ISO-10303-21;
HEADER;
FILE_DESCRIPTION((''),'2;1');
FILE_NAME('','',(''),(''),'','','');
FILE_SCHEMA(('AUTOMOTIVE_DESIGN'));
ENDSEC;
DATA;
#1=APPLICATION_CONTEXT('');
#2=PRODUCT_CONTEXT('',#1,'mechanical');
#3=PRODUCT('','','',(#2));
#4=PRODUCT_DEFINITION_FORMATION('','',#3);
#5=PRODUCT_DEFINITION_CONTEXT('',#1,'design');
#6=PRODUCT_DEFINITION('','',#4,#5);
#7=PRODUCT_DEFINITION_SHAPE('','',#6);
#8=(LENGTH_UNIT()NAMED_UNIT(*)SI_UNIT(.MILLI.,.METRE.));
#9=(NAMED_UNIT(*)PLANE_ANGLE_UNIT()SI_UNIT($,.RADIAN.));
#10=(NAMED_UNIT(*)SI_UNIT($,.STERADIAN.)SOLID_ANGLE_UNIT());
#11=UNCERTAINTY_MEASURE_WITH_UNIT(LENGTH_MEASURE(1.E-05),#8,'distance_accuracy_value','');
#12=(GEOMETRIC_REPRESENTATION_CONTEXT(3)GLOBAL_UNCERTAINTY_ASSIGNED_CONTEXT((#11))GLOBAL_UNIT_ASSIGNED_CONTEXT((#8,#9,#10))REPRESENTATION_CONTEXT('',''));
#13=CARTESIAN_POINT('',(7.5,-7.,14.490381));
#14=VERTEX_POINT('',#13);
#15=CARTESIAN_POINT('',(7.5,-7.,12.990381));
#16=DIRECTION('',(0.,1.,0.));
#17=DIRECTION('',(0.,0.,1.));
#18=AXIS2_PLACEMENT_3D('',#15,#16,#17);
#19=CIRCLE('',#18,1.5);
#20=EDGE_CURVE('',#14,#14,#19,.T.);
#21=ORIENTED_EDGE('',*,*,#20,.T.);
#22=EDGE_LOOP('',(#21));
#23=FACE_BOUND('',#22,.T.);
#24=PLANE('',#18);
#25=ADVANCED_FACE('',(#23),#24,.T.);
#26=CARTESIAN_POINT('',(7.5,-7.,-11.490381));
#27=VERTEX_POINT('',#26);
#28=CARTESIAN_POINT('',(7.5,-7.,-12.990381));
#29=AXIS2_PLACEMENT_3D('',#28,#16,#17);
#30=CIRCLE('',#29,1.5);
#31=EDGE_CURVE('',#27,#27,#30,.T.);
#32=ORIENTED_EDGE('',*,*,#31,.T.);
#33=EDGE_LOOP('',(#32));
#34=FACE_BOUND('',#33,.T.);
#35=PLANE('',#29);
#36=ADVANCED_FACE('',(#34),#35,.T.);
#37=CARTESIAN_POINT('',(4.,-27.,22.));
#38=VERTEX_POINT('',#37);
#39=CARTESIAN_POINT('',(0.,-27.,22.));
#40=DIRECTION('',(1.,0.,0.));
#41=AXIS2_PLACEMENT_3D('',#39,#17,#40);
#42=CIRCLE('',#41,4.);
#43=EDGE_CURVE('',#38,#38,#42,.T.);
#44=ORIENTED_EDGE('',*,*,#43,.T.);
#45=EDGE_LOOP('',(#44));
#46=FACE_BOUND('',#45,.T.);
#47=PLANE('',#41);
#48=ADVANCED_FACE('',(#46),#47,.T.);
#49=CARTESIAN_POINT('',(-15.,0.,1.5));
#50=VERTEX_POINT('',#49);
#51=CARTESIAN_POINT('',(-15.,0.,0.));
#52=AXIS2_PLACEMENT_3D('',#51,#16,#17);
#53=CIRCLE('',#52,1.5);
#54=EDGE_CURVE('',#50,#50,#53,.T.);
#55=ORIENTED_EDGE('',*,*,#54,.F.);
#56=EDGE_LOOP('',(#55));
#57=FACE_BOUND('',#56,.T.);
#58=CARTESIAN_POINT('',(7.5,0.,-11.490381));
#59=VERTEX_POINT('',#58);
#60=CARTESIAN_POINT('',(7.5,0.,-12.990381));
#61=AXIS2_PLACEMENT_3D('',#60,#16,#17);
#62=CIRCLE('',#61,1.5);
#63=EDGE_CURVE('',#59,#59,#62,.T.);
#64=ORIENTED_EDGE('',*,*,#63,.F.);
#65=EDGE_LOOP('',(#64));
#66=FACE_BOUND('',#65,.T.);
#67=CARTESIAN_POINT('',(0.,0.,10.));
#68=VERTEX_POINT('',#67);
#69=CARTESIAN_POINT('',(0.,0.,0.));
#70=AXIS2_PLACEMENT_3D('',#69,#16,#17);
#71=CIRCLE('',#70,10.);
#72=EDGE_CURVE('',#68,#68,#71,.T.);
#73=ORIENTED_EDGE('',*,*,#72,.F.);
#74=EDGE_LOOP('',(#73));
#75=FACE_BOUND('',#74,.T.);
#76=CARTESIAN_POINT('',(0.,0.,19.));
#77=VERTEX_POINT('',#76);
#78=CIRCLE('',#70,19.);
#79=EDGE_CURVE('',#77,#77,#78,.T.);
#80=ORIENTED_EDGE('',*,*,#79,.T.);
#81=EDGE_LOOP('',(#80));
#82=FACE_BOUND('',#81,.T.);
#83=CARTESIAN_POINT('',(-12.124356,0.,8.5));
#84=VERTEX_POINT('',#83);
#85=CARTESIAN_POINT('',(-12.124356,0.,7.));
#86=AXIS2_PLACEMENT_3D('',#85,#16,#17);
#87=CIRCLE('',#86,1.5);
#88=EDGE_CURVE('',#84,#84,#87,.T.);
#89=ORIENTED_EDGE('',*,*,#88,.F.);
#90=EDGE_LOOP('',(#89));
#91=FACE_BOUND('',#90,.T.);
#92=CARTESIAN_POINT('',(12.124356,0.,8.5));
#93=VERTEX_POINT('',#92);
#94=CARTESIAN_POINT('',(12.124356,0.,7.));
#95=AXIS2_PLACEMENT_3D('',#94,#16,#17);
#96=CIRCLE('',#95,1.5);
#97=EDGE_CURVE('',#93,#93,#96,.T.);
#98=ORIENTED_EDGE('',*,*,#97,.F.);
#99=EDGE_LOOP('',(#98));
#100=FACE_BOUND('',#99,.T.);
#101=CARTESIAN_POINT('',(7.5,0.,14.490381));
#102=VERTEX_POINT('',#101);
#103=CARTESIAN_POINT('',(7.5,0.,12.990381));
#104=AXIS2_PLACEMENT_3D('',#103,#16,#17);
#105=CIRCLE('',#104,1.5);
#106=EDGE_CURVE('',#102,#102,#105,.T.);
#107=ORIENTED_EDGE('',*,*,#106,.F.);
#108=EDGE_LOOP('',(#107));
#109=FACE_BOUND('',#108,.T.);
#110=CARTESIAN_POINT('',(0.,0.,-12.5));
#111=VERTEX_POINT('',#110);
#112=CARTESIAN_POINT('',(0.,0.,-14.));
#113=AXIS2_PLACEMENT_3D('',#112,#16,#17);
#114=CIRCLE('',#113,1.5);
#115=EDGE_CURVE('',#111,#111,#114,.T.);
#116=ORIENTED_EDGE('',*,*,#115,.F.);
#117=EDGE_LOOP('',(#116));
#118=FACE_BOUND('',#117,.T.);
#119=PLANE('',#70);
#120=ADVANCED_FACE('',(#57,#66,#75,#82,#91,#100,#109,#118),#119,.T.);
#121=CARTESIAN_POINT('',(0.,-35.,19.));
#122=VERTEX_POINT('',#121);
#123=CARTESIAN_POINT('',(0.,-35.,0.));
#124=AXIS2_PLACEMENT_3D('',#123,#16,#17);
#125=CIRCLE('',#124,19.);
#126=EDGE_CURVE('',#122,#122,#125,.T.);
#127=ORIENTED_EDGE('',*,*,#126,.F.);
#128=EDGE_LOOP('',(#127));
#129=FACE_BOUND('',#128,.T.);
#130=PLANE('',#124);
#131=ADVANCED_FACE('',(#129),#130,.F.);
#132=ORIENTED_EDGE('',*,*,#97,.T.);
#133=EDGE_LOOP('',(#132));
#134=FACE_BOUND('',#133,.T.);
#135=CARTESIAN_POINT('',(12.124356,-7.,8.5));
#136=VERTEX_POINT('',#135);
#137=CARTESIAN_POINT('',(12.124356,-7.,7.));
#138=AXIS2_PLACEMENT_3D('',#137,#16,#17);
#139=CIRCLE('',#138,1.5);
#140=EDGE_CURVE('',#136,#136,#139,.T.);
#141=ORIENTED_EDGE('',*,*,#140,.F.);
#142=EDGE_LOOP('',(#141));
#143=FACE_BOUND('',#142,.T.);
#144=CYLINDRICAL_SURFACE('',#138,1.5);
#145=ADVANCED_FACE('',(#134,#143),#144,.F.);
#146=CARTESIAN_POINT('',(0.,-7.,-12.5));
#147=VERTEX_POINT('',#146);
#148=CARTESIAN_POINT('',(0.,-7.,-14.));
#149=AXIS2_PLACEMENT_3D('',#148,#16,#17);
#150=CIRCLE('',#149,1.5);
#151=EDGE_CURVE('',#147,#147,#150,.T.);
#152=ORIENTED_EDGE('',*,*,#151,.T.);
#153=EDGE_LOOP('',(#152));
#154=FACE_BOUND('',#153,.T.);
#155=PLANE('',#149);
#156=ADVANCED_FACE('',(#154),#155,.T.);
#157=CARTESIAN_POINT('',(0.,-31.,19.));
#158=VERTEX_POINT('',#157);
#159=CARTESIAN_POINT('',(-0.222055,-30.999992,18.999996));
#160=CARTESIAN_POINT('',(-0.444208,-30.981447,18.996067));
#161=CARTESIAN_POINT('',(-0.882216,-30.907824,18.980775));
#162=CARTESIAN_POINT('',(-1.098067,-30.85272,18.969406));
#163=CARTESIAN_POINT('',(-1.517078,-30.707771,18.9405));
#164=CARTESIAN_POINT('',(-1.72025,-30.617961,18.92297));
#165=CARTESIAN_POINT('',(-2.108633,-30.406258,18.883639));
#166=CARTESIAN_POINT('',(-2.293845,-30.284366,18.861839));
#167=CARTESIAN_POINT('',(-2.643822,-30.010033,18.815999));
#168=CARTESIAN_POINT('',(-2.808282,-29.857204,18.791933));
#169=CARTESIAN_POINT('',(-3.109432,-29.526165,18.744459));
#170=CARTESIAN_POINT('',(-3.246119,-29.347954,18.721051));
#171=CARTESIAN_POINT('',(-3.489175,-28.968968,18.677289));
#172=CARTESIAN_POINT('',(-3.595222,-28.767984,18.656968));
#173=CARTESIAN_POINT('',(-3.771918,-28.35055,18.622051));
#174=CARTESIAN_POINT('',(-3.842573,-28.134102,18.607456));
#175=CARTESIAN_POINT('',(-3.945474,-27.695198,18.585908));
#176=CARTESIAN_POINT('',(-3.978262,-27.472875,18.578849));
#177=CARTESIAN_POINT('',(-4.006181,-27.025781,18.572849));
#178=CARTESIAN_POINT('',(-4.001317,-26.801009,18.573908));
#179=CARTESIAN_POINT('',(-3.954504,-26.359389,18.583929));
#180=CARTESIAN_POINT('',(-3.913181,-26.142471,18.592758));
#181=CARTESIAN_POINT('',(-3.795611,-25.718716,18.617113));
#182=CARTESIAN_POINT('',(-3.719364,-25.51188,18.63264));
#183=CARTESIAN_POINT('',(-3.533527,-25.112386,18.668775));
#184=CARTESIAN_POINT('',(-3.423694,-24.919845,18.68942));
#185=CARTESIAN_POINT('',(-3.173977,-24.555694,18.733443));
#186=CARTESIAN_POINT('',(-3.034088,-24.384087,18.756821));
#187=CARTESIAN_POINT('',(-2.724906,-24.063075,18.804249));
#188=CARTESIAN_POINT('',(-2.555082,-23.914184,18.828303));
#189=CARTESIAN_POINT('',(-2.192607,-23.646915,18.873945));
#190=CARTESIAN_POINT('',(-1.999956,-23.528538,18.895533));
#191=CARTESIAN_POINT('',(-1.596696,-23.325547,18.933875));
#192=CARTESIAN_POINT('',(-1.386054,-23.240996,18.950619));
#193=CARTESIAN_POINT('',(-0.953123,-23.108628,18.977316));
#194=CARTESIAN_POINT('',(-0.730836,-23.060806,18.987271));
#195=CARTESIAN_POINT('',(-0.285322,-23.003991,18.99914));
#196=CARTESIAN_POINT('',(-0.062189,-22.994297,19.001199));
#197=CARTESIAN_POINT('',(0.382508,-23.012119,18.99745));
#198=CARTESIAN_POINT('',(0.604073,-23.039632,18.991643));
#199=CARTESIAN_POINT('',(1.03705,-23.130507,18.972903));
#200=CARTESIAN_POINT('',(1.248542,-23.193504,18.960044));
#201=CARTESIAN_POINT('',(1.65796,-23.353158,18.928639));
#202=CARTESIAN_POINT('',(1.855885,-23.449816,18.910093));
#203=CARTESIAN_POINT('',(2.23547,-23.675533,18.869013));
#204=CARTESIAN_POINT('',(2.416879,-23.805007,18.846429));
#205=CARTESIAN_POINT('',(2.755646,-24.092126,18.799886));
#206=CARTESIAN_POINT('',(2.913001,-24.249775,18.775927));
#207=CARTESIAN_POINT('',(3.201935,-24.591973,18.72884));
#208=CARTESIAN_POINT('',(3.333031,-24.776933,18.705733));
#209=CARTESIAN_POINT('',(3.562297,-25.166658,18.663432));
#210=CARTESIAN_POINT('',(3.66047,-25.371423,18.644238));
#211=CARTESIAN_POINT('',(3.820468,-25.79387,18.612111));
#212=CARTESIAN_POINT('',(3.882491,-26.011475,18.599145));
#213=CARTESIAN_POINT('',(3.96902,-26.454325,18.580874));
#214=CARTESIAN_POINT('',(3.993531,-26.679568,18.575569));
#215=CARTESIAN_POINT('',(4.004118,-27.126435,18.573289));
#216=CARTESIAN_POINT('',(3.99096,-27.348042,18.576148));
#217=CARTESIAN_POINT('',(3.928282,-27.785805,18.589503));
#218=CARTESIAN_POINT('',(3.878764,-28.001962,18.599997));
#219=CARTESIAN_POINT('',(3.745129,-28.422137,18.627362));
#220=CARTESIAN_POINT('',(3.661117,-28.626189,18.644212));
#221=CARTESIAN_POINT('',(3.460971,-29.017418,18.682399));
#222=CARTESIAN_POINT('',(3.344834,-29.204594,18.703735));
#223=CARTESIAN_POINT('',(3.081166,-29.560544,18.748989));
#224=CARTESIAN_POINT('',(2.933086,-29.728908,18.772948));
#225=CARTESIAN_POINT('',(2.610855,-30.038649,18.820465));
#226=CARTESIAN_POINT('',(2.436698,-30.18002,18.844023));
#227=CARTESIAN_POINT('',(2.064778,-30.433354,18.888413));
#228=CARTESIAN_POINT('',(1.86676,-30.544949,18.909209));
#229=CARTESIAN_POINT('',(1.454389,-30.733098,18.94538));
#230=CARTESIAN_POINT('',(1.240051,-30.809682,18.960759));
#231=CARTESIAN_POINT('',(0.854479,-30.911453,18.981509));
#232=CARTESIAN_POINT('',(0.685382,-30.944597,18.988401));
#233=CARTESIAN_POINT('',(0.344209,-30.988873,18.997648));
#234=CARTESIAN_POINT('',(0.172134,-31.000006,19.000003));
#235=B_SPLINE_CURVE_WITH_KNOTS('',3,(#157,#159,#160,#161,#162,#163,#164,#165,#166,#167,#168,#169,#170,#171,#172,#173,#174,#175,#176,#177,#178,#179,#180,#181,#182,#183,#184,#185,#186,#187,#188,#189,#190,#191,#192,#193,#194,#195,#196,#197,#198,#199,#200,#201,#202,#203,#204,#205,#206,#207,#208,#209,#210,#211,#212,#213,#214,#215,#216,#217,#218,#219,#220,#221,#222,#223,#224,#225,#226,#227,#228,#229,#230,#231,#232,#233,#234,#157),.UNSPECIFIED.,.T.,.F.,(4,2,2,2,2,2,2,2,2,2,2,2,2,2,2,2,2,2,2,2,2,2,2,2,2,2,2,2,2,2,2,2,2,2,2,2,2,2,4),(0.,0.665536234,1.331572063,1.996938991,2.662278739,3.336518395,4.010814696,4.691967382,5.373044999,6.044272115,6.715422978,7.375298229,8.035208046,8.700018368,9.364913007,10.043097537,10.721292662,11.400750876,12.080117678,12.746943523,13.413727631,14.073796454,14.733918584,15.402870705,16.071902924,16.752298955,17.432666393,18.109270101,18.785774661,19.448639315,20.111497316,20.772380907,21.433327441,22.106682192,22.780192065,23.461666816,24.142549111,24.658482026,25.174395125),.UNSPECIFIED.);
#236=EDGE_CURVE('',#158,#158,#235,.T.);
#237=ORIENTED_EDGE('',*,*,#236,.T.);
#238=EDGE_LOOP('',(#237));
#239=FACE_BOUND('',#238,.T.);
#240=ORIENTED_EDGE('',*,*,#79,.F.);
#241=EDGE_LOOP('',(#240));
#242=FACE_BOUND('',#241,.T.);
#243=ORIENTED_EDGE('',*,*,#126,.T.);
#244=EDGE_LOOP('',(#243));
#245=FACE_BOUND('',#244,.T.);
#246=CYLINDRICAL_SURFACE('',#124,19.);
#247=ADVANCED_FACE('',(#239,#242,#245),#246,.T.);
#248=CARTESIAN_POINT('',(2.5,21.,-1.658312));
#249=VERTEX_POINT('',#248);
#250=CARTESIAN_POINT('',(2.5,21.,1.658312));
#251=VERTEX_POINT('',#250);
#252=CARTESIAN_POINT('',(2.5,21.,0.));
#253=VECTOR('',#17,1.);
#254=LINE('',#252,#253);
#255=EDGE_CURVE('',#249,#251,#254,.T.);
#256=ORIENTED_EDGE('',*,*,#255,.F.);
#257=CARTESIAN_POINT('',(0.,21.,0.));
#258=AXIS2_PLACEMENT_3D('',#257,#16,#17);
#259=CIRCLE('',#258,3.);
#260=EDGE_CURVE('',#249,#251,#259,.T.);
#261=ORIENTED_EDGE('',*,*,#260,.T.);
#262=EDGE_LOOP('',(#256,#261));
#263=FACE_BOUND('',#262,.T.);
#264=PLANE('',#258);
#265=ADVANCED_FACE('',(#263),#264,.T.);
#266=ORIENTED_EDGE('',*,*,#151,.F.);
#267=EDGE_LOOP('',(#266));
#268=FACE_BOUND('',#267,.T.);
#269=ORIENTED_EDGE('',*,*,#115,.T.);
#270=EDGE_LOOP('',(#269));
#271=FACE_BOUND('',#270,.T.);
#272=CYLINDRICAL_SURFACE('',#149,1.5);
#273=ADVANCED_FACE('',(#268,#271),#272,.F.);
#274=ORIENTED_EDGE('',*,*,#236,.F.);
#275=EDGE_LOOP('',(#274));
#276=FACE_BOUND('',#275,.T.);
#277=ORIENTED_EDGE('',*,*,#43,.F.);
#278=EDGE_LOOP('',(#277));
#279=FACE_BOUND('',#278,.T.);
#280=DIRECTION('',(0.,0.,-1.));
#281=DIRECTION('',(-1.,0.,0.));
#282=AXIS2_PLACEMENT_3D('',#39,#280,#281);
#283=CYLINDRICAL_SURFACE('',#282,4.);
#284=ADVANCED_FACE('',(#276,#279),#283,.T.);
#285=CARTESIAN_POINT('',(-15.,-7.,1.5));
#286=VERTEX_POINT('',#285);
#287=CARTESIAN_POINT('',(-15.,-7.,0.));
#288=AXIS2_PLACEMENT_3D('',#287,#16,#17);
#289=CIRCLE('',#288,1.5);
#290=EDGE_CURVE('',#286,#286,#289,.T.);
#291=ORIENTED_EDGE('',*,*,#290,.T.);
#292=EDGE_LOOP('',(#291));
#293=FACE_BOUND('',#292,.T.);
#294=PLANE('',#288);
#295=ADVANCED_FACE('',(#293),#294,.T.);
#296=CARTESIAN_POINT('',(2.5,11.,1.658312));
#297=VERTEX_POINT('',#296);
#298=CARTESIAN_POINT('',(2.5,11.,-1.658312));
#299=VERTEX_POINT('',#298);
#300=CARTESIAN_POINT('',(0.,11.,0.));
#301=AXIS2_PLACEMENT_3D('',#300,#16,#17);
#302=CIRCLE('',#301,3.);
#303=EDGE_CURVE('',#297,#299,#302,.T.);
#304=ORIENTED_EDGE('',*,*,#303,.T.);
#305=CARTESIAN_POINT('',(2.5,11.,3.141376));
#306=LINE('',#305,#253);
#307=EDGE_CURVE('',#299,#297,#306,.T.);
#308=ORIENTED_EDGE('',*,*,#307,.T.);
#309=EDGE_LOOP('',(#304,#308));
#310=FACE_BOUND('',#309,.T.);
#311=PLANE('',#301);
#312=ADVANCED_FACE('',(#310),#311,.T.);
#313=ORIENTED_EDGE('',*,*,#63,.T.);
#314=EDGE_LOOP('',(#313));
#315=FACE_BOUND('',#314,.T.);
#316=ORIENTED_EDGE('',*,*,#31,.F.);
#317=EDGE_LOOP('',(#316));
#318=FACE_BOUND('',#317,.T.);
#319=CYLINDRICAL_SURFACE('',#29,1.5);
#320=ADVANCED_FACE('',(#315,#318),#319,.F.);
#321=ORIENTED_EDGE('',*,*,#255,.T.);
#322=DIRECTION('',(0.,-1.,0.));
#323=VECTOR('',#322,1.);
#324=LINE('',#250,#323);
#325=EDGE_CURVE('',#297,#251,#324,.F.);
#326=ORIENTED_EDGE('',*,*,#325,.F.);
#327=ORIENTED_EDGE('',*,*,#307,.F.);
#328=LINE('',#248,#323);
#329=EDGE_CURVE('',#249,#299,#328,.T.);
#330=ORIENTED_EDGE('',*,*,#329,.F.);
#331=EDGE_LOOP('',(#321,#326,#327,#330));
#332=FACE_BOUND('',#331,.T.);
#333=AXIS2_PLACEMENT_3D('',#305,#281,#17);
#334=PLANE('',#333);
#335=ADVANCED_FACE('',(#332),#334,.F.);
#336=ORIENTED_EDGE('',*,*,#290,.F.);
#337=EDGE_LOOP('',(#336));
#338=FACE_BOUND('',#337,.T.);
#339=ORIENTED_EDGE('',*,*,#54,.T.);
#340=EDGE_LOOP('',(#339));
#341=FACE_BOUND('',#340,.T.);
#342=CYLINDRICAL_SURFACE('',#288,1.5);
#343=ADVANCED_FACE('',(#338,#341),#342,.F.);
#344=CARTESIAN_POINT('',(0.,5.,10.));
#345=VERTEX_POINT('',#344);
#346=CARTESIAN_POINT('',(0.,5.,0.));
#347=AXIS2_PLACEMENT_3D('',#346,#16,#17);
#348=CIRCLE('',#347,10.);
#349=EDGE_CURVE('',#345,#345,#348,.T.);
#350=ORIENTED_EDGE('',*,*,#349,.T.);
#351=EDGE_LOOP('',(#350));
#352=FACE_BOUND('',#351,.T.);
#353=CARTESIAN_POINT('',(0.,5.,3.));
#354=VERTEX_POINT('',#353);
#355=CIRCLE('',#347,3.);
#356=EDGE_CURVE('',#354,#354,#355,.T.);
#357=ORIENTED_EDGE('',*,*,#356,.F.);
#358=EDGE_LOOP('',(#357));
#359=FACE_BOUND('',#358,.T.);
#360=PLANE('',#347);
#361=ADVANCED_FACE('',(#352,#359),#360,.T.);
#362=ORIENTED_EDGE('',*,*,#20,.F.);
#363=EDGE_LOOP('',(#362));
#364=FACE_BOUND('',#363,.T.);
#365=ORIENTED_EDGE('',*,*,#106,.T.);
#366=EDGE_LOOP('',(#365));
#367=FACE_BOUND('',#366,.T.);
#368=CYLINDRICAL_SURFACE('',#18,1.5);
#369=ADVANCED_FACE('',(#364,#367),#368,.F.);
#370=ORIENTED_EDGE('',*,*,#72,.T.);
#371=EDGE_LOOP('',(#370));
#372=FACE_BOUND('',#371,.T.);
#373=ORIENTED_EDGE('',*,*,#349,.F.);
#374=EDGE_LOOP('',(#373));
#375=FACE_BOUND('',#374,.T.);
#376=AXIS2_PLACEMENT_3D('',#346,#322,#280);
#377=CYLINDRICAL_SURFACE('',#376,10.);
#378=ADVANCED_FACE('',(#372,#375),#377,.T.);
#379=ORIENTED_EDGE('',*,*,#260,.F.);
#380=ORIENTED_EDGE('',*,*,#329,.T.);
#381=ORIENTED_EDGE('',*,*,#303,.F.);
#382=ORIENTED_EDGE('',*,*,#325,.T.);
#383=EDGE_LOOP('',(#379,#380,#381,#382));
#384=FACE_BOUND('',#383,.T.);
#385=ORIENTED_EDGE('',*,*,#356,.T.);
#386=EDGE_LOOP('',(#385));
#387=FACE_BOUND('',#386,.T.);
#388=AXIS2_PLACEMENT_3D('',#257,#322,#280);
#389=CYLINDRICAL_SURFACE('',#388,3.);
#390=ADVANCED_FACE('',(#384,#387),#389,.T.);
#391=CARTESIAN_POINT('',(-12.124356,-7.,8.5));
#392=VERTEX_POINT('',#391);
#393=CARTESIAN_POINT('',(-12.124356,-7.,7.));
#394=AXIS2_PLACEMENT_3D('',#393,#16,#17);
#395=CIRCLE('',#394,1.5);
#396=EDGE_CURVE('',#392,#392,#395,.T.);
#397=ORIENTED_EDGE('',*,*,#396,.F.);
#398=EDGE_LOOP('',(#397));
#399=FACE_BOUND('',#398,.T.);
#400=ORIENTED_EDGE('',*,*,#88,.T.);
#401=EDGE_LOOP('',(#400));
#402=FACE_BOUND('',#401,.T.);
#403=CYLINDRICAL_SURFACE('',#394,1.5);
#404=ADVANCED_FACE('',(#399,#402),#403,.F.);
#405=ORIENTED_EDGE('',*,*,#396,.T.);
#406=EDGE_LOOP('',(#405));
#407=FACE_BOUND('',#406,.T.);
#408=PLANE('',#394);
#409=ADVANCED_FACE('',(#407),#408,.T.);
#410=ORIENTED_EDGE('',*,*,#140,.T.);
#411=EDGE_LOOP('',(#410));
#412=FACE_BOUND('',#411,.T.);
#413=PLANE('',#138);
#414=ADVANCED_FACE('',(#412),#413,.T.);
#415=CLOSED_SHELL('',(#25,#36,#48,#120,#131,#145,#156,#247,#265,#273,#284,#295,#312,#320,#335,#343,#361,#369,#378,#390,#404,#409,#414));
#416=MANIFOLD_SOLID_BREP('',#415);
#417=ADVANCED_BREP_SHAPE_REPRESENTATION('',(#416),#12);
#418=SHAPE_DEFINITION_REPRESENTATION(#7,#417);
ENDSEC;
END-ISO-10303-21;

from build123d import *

# Parameters (mm, degrees)
SKETCH2_R           = 19
BOSS_EXTRUDE2_DEPTH = 35
SKETCH4_R           = 10
BOSS_EXTRUDE3_DEPTH = 5
SKETCH5_R           = 3
BOSS_EXTRUDE4_DEPTH = 16
SKETCH8_W           = 0.5
SKETCH8_H           = 6.116200225
CUT_EXTRUDE2_DEPTH  = 10
SKETCH10_R          = 1.5
CUT_EXTRUDE3_DEPTH  = 7
SKETCH15_R          = 4
BOSS_EXTRUDE5_DEPTH = 22


with BuildPart() as part:
    # Sketch2 → Boss-Extrude2 (new body)
    with BuildSketch(Plane(origin=(0, 0, 0), x_dir=(1, 0, 0), z_dir=(0, 1, 0))):
        with Locations(Location((0, 0, 0), (0, 0, 270))):
            Circle(SKETCH2_R)
    extrude(amount=-BOSS_EXTRUDE2_DEPTH)

    # Sketch4 → Boss-Extrude3 (add)
    with BuildSketch(Plane(origin=(0, 0, 0), x_dir=(1, 0, 0), z_dir=(0, 1, 0))):
        with Locations(Location((0, 0, 0), (0, 0, 270))):
            Circle(SKETCH4_R)
    extrude(amount=BOSS_EXTRUDE3_DEPTH)

    # Sketch5 → Boss-Extrude4 (add)
    with BuildSketch(Plane(origin=(0, 5, 0), x_dir=(1, 0, 0), z_dir=(0, 1, 0))):
        with Locations(Location((0, 0, 0), (0, 0, 270))):
            Circle(SKETCH5_R)
    extrude(amount=BOSS_EXTRUDE4_DEPTH)

    # Sketch8 → Cut-Extrude2 (cut)
    with BuildSketch(Plane(origin=(0, 21, 0), x_dir=(1, 0, 0), z_dir=(0, 1, 0))):
        with Locations((2.75, -0.083275924)):
            Rectangle(SKETCH8_W, SKETCH8_H)
    extrude(amount=-CUT_EXTRUDE2_DEPTH, mode=Mode.SUBTRACT)

    # Sketch10 → Cut-Extrude3 (cut)
    with BuildSketch(Plane(origin=(0, 0, 0), x_dir=(1, 0, 0), z_dir=(0, 1, 0))):
        with Locations(Location((-15, 0, 0), (0, 0, 270))):
            Circle(SKETCH10_R)
        with Locations(Location((0, 14, 0), (0, 0, 270))):
            Circle(SKETCH10_R)
        with Locations(Location((7.5, 12.990381057, 0), (0, 0, 270))):
            Circle(SKETCH10_R)
        with Locations(Location((7.5, -12.990381057, 0), (0, 0, 270))):
            Circle(SKETCH10_R)
        with Locations(Location((12.124355653, -7, 0), (0, 0, 270))):
            Circle(SKETCH10_R)
        with Locations(Location((-12.124355653, -7, 0), (0, 0, 270))):
            Circle(SKETCH10_R)
    extrude(amount=-CUT_EXTRUDE3_DEPTH, mode=Mode.SUBTRACT)

    # Sketch15 → Boss-Extrude5 (add)
    with BuildSketch(Plane.XY):
        with Locations(Location((0, -27, 0), (0, 0, 90))):
            Circle(SKETCH15_R)
    extrude(amount=BOSS_EXTRUDE5_DEPTH)


solid = part.part
